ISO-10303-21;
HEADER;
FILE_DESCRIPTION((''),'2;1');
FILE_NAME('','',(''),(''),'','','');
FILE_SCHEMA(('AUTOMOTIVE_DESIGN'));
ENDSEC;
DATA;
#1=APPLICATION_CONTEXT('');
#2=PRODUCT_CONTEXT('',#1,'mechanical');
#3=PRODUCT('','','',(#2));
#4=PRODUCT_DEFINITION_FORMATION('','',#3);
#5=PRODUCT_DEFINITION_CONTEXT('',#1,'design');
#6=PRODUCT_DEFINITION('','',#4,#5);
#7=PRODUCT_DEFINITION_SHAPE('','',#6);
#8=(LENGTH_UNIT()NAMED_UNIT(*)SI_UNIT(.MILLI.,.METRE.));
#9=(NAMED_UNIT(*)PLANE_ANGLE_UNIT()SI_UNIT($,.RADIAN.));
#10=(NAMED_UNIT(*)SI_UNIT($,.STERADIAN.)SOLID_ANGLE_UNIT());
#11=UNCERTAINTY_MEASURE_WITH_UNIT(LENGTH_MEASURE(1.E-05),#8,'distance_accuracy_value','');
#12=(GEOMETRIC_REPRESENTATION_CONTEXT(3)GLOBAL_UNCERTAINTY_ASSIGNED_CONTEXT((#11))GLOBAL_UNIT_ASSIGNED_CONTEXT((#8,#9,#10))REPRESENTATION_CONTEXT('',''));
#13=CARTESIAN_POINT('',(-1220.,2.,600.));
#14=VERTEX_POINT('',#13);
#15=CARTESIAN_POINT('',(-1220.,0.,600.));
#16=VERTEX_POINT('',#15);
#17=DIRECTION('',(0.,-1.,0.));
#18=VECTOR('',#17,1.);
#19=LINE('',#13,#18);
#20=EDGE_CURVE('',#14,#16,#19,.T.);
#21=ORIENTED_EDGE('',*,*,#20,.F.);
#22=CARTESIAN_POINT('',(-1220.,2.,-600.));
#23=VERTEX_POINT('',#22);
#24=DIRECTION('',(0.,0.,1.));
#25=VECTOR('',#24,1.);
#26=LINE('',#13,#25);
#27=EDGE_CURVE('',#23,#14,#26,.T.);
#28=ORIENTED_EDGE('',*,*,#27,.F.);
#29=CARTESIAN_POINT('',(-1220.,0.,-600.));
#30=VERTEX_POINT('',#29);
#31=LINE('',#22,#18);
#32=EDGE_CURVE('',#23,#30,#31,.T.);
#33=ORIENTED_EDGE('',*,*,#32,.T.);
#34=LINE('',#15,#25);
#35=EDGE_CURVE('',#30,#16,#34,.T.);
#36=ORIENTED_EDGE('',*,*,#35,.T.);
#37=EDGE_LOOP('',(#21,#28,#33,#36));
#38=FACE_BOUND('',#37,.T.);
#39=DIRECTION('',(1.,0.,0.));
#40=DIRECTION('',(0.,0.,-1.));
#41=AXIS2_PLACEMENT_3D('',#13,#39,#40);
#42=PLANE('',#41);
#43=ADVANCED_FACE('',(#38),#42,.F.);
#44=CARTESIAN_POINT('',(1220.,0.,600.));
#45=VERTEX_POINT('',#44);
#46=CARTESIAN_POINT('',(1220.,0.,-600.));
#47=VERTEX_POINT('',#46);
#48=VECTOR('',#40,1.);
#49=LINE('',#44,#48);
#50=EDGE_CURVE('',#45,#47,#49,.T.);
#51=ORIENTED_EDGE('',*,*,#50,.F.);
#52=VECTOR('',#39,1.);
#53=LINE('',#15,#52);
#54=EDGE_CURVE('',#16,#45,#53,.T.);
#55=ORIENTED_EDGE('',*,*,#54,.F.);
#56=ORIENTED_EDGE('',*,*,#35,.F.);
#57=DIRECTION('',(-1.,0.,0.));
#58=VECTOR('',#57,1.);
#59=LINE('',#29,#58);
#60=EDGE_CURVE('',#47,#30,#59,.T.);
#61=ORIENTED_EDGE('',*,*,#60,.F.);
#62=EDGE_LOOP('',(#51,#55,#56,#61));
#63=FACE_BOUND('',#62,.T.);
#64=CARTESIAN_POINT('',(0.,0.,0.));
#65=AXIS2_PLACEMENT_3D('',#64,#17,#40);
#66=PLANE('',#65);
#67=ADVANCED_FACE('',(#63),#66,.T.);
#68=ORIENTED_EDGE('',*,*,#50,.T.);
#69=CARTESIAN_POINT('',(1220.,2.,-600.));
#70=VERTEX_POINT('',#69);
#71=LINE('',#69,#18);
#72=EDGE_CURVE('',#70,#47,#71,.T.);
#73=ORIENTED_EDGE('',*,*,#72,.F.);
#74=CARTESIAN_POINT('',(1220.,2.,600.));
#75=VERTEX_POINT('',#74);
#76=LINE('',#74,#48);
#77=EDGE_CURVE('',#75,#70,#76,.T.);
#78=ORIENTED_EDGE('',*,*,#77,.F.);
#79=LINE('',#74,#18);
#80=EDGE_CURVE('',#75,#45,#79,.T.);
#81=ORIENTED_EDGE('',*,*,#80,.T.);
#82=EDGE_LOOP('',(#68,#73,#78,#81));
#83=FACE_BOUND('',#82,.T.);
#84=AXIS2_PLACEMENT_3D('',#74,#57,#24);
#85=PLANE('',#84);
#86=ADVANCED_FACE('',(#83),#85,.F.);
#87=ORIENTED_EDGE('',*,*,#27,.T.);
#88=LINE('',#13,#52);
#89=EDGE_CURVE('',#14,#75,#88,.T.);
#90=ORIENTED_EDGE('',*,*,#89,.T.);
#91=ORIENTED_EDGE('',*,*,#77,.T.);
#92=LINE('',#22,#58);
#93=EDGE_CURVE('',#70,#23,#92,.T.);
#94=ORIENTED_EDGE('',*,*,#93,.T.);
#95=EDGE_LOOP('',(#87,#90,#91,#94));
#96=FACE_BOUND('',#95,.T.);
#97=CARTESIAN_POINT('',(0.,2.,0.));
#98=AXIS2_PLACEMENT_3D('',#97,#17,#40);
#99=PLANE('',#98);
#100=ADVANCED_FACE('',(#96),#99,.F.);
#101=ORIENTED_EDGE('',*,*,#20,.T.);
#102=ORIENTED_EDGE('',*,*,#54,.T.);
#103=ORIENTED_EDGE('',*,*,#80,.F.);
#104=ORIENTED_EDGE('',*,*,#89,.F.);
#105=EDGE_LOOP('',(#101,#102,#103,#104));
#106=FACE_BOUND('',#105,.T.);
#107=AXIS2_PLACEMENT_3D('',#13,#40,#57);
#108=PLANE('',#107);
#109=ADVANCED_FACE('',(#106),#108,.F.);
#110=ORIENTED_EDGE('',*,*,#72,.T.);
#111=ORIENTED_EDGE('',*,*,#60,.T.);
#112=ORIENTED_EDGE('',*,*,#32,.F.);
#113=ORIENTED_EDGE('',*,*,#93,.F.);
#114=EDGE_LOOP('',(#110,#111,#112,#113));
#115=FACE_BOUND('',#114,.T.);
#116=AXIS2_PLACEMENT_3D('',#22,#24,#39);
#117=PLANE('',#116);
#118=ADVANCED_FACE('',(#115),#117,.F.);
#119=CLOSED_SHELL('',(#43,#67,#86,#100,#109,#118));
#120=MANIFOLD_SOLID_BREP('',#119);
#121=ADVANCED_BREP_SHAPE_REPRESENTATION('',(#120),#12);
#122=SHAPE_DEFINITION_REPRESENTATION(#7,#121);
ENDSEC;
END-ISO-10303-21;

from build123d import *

# Parameters (mm, degrees)
SKETCH1_W           = 2440
SKETCH1_H           = 1200
BOSS_EXTRUDE1_DEPTH = 2


with BuildPart() as part:
    # Sketch1 → Boss-Extrude1 (new body)
    with BuildSketch(Plane(origin=(0, 0, 0), x_dir=(1, 0, 0), z_dir=(0, 1, 0))):
        Rectangle(SKETCH1_W, SKETCH1_H)
    extrude(amount=BOSS_EXTRUDE1_DEPTH)


solid = part.part
